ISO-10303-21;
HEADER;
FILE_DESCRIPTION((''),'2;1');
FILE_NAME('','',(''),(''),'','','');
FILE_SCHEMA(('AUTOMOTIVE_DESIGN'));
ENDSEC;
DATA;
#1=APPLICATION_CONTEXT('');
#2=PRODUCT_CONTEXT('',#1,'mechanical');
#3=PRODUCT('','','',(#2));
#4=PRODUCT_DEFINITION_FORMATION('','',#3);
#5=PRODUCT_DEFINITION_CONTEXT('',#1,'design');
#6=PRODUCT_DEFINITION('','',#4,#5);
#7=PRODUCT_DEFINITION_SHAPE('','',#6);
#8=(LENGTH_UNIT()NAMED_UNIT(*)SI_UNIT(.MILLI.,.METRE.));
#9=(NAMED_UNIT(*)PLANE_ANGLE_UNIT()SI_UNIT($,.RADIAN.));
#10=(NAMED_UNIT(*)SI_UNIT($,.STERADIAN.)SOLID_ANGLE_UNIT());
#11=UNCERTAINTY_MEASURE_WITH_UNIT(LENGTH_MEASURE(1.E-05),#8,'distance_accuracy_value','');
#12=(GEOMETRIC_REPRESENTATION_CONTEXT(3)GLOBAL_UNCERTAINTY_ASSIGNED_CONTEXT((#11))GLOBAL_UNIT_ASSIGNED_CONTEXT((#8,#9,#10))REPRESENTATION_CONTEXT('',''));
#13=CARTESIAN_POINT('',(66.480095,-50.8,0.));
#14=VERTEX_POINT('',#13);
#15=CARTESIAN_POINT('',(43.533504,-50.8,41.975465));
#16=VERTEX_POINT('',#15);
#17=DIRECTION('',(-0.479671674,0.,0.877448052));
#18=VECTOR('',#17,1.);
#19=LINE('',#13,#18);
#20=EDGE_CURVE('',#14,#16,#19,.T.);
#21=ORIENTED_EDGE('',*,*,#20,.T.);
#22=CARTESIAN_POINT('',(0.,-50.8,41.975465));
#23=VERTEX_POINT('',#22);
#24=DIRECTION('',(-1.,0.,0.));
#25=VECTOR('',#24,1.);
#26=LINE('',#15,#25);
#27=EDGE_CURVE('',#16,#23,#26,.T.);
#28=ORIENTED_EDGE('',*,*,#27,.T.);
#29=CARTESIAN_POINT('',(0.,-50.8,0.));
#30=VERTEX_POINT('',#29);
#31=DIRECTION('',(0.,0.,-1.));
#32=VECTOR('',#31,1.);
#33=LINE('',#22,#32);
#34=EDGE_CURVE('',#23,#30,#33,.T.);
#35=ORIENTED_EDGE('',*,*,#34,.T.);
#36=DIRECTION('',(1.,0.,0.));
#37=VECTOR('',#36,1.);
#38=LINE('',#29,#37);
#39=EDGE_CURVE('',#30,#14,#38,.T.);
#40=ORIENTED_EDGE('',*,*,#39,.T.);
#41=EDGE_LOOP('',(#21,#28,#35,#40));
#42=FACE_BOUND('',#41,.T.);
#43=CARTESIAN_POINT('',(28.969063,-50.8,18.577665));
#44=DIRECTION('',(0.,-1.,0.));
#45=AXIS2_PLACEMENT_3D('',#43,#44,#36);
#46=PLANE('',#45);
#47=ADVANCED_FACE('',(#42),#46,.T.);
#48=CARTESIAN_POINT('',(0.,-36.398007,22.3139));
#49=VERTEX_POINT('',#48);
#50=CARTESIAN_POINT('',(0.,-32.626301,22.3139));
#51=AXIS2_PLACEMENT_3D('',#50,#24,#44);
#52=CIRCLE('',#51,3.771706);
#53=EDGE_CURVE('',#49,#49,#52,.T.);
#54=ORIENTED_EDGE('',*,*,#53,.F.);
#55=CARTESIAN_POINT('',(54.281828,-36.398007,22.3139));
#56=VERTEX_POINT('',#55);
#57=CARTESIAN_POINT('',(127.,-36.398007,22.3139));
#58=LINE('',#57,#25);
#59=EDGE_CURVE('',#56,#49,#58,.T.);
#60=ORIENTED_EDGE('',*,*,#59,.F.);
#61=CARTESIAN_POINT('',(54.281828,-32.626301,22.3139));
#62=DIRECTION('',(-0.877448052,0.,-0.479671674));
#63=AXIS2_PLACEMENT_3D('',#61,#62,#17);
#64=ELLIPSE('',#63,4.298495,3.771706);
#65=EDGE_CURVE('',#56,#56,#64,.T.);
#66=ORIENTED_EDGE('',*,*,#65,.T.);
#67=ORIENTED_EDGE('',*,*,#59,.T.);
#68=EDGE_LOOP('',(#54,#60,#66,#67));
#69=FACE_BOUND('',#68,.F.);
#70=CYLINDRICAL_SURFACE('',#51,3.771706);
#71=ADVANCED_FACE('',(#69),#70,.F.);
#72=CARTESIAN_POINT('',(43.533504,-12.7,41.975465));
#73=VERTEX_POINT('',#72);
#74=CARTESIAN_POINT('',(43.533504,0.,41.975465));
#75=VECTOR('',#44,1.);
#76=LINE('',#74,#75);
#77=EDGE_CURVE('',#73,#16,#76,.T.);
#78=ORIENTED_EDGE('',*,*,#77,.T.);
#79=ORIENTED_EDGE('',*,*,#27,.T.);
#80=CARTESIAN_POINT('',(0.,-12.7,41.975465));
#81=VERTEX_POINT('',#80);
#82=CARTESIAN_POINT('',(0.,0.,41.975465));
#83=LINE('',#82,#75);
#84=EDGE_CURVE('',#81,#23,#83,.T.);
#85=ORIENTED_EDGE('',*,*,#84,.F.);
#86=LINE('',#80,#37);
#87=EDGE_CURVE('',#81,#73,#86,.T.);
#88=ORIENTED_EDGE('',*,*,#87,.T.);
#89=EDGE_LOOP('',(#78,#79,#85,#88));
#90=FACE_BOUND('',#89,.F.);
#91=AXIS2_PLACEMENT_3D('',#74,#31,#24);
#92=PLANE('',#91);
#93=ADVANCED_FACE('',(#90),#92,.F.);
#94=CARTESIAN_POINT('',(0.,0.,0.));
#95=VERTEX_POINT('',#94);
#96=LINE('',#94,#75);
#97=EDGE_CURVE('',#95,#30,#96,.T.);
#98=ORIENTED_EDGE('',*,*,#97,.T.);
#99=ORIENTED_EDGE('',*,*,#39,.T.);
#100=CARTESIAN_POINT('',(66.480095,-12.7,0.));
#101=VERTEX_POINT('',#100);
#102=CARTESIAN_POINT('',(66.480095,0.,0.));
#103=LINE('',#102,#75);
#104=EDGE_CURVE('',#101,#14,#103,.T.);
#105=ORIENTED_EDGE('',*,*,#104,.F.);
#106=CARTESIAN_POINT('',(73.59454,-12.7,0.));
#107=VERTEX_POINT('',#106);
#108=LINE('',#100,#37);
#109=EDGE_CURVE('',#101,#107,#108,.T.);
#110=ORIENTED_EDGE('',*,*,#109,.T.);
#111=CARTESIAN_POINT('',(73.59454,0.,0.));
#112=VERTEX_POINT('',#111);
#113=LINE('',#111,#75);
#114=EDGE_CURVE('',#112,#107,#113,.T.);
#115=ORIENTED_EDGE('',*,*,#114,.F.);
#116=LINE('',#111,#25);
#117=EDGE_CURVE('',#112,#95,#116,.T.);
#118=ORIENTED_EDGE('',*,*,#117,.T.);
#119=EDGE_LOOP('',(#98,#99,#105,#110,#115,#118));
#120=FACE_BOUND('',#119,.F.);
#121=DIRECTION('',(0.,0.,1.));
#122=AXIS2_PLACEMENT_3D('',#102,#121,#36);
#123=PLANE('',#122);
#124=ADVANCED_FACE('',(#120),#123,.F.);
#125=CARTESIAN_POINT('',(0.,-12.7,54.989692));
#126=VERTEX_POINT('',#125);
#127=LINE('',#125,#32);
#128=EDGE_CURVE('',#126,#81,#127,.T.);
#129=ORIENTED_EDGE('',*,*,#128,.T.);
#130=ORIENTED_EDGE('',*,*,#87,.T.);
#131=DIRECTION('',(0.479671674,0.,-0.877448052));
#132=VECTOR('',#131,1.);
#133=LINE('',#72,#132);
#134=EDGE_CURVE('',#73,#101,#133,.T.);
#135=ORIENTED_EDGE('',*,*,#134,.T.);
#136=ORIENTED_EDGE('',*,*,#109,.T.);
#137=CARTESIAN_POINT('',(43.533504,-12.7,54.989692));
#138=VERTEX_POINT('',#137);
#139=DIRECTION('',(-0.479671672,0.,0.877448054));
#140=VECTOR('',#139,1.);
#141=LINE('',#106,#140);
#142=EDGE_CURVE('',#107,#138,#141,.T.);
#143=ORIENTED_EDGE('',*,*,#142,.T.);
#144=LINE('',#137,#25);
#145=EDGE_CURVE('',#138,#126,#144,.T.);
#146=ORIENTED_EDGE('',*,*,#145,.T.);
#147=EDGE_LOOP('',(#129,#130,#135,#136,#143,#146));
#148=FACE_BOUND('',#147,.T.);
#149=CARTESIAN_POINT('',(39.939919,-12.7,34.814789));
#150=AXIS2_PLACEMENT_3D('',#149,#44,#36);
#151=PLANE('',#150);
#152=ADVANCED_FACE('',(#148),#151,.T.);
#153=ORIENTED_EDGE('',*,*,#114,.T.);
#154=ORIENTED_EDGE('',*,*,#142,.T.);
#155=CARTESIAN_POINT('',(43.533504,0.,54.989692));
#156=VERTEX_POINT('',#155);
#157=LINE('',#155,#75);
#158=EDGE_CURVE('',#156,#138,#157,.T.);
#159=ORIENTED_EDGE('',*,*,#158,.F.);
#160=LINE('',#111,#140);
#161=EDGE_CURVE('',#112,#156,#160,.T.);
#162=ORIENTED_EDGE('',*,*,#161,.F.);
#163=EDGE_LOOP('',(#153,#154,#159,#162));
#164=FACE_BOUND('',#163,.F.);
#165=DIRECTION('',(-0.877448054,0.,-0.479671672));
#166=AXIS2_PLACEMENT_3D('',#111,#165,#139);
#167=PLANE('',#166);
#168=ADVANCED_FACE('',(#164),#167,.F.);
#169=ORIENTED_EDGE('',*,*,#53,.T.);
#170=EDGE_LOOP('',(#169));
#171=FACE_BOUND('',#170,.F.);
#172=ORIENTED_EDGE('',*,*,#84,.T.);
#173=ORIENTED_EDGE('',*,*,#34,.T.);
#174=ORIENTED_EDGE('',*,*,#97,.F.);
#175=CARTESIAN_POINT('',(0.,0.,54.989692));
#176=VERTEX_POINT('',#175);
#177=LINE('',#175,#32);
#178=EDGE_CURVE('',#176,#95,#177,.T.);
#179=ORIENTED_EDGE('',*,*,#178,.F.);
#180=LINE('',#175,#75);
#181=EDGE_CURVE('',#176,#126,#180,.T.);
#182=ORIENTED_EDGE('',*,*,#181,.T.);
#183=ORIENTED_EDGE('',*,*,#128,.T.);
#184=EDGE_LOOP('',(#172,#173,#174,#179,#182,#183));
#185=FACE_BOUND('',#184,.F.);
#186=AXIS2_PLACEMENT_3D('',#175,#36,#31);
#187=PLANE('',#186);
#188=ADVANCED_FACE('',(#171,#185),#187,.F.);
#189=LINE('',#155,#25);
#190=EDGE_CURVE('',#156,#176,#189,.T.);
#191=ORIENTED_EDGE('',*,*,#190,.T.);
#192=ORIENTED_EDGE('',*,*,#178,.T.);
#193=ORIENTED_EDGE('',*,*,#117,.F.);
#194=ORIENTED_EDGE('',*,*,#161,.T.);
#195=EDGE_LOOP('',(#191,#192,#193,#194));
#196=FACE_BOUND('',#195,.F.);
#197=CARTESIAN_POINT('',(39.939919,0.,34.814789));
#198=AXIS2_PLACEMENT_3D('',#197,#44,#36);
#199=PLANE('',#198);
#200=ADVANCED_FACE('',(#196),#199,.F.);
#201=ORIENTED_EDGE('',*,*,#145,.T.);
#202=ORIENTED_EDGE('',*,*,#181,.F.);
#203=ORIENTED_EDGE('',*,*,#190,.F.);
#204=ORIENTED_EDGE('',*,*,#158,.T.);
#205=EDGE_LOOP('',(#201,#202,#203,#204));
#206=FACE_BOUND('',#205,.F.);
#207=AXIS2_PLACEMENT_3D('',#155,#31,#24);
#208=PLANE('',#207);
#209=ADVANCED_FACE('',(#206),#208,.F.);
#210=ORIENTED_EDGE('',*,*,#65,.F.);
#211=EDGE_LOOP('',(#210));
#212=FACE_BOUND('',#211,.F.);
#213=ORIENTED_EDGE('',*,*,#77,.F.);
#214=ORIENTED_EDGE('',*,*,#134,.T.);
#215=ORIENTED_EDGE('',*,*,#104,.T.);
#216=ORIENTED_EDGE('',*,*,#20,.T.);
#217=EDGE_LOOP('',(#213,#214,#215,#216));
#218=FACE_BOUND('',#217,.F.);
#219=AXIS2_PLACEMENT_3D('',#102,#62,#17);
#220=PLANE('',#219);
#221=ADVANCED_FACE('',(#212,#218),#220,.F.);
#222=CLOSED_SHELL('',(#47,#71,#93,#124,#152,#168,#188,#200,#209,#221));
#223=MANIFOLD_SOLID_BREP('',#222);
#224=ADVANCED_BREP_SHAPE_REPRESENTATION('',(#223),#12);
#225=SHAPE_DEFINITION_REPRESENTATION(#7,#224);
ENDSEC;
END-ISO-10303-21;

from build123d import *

# Parameters (mm, degrees)
F1_DEPTH = 50.8
F2_DEPTH = 12.7
F3_R     = 3.771706
F4_DEPTH = 127


with BuildPart() as f1:
    # F0 (on Front) → F1 (new body)
    with BuildSketch(Plane.XZ):
        Polygon((43.533504, 41.975465), (0, 41.975465), (0, 0), (66.480095, 0), align=None)
    extrude(amount=F1_DEPTH)

    # F0 (on Front) → F2 (join)
    with BuildSketch(Plane.XZ):
        Polygon((43.533504, 54.989692), (0, 54.989692), (0, 41.975465), (43.533504, 41.975465), (66.480095, 0), (73.59454, 0), align=None)
    extrude(amount=F2_DEPTH)

    # F3 (on face) → F4 (cut, symmetric)
    with BuildSketch(Plane(origin=(0, 0, 0), x_dir=(0, -1, 0), z_dir=(-1, 0, 0))):
        with Locations((32.626301, 22.3139)):
            Circle(F3_R)
    extrude(amount=F4_DEPTH, both=True, mode=Mode.SUBTRACT)


solid = f1.part
